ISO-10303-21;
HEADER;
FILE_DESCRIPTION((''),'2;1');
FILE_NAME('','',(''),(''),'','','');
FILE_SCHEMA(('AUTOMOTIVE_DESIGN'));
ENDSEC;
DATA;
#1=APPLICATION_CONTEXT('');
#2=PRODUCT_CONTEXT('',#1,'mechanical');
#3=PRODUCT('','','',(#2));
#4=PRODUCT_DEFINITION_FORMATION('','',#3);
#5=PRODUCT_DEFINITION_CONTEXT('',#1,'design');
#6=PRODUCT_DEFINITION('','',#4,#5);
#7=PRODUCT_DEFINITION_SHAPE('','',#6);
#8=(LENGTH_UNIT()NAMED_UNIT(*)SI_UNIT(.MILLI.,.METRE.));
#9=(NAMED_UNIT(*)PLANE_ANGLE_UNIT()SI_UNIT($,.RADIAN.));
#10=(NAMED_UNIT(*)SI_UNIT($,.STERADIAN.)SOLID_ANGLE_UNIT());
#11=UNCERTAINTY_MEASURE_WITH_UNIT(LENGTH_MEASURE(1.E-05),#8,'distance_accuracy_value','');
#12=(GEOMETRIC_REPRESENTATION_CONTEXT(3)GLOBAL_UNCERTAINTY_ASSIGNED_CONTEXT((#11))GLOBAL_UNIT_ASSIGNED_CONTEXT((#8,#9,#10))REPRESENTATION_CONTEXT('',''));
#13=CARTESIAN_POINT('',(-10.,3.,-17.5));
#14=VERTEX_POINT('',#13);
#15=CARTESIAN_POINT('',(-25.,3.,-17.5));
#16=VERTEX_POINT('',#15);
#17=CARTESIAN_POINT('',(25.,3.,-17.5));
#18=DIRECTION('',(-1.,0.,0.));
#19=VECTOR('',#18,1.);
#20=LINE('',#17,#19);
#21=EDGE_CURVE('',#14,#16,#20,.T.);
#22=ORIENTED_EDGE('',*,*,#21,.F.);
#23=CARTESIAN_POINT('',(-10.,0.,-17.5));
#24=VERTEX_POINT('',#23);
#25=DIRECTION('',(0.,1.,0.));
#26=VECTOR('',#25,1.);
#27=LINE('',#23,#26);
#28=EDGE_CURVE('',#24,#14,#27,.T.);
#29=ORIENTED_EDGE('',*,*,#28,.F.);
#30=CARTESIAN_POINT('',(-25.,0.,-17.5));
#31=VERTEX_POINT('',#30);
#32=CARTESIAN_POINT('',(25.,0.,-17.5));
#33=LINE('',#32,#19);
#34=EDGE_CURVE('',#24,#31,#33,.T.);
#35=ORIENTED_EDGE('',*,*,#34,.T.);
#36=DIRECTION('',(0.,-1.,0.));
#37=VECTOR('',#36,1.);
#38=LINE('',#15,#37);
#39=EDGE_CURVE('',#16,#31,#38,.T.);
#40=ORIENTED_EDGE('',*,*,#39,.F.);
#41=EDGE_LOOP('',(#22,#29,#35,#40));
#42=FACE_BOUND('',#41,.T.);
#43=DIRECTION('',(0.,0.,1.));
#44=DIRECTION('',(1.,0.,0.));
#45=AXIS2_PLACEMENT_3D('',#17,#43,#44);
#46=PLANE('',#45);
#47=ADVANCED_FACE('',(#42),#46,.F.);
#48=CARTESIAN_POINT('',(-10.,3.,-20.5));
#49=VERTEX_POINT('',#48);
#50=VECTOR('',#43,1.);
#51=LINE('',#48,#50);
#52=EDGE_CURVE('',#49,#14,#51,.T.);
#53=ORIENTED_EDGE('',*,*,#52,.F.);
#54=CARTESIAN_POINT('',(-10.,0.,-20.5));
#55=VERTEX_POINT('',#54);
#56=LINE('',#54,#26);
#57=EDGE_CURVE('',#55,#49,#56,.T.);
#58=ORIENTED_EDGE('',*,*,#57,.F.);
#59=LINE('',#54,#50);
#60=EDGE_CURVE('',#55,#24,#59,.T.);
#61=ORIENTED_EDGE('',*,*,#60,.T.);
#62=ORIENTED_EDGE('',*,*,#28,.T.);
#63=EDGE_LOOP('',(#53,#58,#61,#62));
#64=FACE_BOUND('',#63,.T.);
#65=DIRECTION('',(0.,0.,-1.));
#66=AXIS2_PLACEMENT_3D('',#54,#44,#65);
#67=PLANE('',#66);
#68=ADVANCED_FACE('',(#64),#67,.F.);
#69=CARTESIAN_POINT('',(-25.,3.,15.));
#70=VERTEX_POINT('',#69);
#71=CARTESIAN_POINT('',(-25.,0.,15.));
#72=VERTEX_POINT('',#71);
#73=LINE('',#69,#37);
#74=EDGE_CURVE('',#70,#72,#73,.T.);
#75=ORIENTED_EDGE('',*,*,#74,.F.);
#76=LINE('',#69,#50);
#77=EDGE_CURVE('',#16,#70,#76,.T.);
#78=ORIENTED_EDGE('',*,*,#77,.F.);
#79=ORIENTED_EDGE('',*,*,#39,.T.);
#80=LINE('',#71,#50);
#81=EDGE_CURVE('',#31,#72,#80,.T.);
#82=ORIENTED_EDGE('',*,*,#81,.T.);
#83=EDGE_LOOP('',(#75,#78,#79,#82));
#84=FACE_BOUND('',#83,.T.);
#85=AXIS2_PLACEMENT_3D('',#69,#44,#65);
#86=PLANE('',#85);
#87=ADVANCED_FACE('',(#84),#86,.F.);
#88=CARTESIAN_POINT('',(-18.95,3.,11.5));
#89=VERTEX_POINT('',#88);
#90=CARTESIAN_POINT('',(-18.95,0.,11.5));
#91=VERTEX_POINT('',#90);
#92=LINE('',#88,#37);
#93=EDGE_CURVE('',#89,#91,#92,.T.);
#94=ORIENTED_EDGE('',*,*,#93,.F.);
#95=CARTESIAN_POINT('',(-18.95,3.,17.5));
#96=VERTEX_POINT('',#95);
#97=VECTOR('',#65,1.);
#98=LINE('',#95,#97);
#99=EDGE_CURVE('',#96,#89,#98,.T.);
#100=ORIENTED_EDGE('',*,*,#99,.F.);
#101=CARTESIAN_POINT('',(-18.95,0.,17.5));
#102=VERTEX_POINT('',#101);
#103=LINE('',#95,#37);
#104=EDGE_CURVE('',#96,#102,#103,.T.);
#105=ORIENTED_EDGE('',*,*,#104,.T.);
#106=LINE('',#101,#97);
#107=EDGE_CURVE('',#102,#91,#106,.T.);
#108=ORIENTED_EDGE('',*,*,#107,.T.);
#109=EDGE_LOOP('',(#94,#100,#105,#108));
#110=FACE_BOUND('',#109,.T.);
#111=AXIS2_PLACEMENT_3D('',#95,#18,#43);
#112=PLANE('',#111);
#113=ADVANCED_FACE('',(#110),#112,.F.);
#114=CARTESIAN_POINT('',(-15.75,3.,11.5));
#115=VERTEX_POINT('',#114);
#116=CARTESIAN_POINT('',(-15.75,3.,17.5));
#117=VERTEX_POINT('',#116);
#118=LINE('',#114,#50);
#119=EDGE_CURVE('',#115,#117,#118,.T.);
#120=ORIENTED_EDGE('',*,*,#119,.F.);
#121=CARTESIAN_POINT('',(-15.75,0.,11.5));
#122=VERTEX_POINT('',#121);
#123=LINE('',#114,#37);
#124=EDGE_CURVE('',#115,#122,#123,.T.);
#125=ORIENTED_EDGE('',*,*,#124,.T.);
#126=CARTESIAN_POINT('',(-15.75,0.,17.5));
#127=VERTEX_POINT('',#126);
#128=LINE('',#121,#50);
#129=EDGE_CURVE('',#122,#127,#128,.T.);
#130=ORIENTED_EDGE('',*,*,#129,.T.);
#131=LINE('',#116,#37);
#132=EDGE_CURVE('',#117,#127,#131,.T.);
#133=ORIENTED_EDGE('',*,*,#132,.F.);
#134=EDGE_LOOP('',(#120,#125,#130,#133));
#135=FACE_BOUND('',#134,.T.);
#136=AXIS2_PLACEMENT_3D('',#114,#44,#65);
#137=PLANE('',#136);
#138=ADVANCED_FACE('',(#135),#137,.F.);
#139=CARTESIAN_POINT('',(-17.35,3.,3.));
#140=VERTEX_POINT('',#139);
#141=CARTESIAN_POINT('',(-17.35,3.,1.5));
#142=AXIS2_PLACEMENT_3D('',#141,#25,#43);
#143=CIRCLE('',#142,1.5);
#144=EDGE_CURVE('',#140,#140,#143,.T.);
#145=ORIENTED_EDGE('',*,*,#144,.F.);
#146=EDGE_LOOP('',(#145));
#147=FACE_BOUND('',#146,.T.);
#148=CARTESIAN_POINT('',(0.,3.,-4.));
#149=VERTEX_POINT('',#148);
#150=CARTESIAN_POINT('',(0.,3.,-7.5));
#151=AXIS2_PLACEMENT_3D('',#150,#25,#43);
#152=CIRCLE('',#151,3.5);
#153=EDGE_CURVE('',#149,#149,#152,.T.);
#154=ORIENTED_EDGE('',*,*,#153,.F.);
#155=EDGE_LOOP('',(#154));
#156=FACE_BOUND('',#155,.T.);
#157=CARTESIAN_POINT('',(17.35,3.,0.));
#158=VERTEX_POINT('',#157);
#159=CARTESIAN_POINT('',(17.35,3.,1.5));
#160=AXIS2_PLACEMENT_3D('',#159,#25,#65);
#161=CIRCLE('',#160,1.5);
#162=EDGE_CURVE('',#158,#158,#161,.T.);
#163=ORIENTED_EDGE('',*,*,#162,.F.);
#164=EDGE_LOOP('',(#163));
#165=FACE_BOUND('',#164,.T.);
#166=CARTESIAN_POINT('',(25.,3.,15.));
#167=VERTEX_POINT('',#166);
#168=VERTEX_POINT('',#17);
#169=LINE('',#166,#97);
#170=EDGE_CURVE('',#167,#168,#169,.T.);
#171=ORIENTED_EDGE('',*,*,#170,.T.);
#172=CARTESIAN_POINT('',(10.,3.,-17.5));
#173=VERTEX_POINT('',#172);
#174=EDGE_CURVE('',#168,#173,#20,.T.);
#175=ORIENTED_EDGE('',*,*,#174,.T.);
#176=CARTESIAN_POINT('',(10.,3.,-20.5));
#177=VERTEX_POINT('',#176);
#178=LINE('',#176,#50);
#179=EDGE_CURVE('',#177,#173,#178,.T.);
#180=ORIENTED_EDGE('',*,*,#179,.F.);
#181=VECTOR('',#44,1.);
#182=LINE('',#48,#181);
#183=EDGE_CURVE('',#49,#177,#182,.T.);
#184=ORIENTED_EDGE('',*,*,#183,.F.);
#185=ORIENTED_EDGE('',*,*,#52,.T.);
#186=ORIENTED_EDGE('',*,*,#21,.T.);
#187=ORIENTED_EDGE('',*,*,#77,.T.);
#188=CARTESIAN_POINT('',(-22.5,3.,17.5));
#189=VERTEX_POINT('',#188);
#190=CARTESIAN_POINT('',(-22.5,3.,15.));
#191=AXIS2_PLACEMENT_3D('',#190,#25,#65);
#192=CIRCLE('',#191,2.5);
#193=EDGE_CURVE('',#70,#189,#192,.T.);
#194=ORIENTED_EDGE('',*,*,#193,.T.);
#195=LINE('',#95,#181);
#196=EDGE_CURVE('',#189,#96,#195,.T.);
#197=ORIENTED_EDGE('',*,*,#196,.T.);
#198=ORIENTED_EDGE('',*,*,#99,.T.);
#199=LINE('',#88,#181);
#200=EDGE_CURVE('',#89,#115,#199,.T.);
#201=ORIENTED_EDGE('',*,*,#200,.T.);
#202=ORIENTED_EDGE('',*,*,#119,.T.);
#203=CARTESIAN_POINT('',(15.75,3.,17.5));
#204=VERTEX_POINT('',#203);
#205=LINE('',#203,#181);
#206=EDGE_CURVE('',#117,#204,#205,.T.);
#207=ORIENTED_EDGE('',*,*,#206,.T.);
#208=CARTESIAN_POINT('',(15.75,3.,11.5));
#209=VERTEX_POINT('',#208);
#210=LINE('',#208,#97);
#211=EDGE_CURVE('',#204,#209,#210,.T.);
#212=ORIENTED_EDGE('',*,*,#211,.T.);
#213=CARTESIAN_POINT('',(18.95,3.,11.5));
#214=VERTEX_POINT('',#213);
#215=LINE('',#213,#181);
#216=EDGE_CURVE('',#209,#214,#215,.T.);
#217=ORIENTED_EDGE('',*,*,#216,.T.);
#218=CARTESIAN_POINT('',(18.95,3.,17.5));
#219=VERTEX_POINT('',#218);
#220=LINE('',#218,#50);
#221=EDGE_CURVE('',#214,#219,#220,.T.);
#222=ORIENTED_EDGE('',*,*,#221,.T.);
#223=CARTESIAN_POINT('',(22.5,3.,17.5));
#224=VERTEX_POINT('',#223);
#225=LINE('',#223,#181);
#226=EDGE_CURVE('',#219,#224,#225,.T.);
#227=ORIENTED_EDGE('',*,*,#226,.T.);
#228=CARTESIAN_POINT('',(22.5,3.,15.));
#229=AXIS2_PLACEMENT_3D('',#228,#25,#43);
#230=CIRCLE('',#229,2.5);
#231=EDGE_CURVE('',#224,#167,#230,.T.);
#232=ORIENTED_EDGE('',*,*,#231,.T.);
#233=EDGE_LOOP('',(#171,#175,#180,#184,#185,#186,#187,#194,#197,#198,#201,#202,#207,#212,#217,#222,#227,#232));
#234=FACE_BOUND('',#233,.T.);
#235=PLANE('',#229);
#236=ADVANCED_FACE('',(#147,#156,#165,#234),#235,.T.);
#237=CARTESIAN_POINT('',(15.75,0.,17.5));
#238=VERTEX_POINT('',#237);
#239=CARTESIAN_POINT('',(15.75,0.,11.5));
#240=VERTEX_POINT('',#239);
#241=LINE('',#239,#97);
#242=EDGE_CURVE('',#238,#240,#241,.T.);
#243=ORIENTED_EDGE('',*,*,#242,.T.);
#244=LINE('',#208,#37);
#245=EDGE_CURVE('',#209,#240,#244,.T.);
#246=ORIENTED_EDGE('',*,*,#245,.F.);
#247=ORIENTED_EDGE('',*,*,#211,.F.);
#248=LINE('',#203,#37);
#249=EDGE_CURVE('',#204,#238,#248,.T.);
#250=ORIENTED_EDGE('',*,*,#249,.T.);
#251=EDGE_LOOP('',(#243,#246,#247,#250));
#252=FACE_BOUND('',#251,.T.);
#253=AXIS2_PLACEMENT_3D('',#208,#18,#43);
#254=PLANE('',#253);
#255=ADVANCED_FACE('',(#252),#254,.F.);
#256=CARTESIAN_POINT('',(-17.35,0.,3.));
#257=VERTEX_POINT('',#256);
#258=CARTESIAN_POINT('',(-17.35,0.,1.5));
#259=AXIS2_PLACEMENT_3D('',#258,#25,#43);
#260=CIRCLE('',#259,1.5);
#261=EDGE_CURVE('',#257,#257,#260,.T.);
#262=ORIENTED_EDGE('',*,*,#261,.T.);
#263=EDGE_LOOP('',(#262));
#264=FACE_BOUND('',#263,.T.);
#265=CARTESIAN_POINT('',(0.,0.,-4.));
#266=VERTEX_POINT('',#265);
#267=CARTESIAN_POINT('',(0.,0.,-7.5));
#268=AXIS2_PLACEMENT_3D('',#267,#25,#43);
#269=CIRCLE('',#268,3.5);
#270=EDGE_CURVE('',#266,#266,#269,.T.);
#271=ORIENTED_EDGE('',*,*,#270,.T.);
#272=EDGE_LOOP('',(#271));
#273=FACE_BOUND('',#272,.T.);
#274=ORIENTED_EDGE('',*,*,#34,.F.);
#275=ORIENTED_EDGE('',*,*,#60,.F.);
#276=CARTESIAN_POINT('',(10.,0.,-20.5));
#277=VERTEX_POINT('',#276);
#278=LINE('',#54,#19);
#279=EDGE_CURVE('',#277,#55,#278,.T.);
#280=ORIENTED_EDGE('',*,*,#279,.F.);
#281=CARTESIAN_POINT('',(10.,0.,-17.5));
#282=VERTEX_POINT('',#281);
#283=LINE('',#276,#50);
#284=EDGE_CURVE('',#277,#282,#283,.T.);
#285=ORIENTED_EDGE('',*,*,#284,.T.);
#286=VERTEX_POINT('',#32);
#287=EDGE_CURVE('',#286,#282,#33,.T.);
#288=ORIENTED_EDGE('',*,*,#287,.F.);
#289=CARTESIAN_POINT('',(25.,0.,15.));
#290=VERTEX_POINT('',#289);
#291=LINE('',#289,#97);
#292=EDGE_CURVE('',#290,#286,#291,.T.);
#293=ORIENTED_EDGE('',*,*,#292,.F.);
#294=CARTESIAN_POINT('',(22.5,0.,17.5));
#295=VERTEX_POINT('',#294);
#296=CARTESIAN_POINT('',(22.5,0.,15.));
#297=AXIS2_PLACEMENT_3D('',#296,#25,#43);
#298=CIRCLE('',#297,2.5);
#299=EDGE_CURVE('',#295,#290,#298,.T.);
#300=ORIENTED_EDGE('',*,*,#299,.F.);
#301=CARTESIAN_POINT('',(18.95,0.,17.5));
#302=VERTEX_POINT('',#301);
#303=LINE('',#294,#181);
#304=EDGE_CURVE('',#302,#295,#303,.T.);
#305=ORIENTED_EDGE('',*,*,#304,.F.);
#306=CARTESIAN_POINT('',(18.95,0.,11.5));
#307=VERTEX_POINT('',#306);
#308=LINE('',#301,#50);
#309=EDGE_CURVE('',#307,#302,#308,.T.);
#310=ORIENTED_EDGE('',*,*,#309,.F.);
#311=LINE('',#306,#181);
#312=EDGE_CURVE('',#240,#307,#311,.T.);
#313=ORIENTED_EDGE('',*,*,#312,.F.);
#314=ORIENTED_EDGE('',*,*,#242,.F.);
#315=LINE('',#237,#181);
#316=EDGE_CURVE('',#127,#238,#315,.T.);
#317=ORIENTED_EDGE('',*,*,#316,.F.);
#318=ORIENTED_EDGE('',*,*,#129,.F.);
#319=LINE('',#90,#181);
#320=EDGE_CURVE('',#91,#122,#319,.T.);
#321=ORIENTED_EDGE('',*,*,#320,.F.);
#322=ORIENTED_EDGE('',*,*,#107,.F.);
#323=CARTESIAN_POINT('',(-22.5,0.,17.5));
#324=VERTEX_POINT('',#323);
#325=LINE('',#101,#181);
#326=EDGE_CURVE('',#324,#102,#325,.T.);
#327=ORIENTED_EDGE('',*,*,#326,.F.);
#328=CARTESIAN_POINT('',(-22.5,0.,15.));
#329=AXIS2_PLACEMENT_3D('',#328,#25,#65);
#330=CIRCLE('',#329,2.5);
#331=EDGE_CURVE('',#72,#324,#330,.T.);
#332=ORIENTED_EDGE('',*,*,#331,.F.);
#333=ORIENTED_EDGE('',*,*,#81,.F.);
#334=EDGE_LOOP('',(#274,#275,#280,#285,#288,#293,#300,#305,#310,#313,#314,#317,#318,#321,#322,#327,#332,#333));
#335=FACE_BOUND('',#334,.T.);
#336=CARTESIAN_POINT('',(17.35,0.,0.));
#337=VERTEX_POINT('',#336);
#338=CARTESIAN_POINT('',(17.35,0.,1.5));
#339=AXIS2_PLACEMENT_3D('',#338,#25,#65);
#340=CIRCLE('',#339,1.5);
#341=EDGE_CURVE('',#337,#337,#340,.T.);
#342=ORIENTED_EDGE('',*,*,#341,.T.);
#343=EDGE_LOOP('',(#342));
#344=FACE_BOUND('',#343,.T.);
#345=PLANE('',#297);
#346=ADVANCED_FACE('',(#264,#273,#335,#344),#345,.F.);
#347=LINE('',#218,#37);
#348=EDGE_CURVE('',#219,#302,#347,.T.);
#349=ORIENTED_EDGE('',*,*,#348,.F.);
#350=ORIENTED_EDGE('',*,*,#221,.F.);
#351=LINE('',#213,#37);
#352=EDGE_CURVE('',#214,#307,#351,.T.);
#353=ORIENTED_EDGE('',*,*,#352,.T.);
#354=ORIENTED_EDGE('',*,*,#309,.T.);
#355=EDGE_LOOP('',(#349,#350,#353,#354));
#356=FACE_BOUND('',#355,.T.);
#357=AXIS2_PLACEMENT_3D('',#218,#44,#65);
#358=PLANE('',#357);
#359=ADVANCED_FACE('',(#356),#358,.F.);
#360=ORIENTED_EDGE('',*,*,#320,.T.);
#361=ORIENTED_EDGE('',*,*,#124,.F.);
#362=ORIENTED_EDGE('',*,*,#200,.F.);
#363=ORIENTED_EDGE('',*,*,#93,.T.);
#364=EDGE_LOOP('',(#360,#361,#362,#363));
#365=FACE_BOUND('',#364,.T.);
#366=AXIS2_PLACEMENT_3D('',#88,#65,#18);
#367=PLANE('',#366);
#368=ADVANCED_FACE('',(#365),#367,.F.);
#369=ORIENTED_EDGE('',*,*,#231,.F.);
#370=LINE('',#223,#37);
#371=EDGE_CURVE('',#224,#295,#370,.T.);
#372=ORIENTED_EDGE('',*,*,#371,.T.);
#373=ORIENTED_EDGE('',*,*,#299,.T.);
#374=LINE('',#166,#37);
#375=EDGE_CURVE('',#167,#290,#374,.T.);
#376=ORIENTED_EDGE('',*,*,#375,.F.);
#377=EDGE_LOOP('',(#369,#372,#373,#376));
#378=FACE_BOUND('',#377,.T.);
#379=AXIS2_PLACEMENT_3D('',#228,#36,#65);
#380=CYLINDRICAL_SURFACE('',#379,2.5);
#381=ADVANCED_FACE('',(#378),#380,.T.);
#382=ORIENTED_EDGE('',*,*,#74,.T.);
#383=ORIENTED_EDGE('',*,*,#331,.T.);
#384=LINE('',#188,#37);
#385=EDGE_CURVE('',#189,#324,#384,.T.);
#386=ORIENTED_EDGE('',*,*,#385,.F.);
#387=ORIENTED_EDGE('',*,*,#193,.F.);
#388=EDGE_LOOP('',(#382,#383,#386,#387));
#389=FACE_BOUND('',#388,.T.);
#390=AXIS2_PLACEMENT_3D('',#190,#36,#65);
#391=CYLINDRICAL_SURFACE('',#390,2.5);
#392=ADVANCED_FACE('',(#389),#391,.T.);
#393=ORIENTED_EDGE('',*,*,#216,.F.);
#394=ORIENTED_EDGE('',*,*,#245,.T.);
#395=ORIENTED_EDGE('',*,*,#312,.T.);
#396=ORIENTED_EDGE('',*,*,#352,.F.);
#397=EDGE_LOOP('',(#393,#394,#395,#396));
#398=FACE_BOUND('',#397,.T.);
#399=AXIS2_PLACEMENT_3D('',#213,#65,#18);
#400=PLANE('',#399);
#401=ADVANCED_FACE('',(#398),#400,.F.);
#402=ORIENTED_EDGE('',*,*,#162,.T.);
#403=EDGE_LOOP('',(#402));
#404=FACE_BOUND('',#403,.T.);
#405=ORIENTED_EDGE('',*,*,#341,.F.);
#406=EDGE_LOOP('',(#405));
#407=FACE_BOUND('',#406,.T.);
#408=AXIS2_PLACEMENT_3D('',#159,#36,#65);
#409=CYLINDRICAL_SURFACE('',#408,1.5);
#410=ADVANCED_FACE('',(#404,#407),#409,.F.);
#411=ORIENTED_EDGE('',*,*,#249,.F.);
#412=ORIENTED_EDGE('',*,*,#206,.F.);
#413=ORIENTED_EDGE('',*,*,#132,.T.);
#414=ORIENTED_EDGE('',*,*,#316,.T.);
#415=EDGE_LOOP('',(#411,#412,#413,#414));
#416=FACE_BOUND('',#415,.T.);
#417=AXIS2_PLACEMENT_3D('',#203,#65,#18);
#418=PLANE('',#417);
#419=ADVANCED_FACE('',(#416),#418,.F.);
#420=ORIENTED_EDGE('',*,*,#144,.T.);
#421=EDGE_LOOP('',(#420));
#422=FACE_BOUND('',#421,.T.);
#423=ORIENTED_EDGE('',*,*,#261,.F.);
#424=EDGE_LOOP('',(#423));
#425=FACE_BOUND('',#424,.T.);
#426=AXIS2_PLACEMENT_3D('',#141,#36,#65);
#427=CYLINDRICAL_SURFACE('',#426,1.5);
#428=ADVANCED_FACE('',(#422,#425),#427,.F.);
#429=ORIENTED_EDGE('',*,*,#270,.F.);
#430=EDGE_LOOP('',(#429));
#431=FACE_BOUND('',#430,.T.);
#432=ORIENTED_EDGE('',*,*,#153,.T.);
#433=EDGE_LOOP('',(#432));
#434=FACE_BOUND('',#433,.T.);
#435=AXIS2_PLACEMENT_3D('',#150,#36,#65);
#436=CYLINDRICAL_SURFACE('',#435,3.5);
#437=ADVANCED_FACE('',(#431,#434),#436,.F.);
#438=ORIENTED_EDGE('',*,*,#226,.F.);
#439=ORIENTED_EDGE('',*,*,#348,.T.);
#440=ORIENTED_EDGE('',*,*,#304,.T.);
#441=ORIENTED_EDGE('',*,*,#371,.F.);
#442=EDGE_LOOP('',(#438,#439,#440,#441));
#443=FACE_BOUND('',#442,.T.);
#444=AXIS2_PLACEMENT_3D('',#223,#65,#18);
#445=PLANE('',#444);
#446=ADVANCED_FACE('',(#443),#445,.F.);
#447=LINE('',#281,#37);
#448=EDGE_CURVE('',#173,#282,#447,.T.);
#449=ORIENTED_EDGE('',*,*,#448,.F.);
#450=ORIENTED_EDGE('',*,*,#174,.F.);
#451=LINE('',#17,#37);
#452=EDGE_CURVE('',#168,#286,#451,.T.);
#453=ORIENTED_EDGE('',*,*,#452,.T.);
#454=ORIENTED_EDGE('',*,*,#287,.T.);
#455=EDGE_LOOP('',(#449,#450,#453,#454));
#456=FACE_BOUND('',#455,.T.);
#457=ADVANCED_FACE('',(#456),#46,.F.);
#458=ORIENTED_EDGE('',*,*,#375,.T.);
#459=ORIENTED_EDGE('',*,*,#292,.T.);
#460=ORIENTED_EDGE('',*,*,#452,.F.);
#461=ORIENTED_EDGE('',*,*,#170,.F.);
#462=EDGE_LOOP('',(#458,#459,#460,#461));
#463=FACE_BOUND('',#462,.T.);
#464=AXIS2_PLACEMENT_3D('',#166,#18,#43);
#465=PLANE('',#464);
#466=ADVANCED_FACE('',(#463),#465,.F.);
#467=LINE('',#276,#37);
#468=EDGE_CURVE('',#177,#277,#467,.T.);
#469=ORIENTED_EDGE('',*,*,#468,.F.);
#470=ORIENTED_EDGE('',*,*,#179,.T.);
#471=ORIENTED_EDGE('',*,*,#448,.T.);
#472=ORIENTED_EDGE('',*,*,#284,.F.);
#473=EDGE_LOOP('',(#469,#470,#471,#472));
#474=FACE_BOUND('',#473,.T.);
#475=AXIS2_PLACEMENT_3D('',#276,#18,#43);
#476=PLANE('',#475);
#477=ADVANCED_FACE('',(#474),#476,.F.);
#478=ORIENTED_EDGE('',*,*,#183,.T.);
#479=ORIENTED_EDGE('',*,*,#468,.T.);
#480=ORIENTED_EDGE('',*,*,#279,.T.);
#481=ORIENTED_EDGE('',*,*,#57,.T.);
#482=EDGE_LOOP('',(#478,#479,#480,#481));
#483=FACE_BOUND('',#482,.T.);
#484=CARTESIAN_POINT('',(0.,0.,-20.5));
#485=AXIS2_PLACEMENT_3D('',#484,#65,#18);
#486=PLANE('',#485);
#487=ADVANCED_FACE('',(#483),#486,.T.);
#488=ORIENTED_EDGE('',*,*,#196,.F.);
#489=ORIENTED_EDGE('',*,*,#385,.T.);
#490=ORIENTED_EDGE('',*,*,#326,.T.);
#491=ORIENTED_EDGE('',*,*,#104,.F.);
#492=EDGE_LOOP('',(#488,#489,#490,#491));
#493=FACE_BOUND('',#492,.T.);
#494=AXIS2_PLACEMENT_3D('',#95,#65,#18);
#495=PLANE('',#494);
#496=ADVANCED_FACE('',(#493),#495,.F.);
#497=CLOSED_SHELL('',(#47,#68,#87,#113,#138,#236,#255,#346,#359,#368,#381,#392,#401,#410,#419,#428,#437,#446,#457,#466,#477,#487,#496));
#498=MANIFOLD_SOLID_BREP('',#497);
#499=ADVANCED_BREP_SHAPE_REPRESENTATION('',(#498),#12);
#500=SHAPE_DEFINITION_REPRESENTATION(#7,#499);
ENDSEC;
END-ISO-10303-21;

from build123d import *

# Parameters (mm, degrees)
CROQUIS1_R              = 1.5
CROQUIS1_R_2            = 3.5
SALIENTE_EXTRUIR1_DEPTH = 3
CROQUIS4_W              = 20
CROQUIS4_H              = 3
SALIENTE_EXTRUIR2_DEPTH = 3


with BuildPart() as part:
    # Croquis1 → Saliente-Extruir1 (new body)
    with BuildSketch(Plane(origin=(0, 0, 0), x_dir=(1, 0, 0), z_dir=(0, 1, 0))):
        with BuildLine():
            Line((22.5, -17.5), (18.95, -17.5))
            Line((18.95, -17.5), (18.95, -11.5))
            Line((18.95, -11.5), (15.75, -11.5))
            Line((15.75, -11.5), (15.75, -17.5))
            Line((15.75, -17.5), (-15.75, -17.5))
            Line((-15.75, -17.5), (-15.75, -11.5))
            Line((-15.75, -11.5), (-18.95, -11.5))
            Line((-18.95, -11.5), (-18.95, -17.5))
            Line((-18.95, -17.5), (-22.5, -17.5))
            ThreePointArc((-22.5, -17.5), (-24.267766953, -16.767766953), (-25, -15))
            Line((-25, -15), (-25, 17.5))
            Line((-25, 17.5), (25, 17.5))
            Line((25, 17.5), (25, -15))
            ThreePointArc((25, -15), (24.267766953, -16.767766953), (22.5, -17.5))
        make_face()
        with Locations(Location((-17.35, -1.5, 0), (0, 0, 270))):
            Circle(CROQUIS1_R, mode=Mode.SUBTRACT)
        with Locations(Location((17.35, -1.5, 0), (0, 0, 90))):
            Circle(CROQUIS1_R, mode=Mode.SUBTRACT)
        with Locations(Location((0, 7.5, 0), (0, 0, 270))):
            Circle(CROQUIS1_R_2, mode=Mode.SUBTRACT)
    extrude(amount=SALIENTE_EXTRUIR1_DEPTH)

    # Croquis4 → Saliente-Extruir2 (add)
    with BuildSketch(Plane(origin=(0, 0, -17.5), x_dir=(-1, 0, 0), z_dir=(0, 0, -1))):
        with Locations((0, 1.5)):
            Rectangle(CROQUIS4_W, CROQUIS4_H)
    extrude(amount=SALIENTE_EXTRUIR2_DEPTH)


solid = part.part
